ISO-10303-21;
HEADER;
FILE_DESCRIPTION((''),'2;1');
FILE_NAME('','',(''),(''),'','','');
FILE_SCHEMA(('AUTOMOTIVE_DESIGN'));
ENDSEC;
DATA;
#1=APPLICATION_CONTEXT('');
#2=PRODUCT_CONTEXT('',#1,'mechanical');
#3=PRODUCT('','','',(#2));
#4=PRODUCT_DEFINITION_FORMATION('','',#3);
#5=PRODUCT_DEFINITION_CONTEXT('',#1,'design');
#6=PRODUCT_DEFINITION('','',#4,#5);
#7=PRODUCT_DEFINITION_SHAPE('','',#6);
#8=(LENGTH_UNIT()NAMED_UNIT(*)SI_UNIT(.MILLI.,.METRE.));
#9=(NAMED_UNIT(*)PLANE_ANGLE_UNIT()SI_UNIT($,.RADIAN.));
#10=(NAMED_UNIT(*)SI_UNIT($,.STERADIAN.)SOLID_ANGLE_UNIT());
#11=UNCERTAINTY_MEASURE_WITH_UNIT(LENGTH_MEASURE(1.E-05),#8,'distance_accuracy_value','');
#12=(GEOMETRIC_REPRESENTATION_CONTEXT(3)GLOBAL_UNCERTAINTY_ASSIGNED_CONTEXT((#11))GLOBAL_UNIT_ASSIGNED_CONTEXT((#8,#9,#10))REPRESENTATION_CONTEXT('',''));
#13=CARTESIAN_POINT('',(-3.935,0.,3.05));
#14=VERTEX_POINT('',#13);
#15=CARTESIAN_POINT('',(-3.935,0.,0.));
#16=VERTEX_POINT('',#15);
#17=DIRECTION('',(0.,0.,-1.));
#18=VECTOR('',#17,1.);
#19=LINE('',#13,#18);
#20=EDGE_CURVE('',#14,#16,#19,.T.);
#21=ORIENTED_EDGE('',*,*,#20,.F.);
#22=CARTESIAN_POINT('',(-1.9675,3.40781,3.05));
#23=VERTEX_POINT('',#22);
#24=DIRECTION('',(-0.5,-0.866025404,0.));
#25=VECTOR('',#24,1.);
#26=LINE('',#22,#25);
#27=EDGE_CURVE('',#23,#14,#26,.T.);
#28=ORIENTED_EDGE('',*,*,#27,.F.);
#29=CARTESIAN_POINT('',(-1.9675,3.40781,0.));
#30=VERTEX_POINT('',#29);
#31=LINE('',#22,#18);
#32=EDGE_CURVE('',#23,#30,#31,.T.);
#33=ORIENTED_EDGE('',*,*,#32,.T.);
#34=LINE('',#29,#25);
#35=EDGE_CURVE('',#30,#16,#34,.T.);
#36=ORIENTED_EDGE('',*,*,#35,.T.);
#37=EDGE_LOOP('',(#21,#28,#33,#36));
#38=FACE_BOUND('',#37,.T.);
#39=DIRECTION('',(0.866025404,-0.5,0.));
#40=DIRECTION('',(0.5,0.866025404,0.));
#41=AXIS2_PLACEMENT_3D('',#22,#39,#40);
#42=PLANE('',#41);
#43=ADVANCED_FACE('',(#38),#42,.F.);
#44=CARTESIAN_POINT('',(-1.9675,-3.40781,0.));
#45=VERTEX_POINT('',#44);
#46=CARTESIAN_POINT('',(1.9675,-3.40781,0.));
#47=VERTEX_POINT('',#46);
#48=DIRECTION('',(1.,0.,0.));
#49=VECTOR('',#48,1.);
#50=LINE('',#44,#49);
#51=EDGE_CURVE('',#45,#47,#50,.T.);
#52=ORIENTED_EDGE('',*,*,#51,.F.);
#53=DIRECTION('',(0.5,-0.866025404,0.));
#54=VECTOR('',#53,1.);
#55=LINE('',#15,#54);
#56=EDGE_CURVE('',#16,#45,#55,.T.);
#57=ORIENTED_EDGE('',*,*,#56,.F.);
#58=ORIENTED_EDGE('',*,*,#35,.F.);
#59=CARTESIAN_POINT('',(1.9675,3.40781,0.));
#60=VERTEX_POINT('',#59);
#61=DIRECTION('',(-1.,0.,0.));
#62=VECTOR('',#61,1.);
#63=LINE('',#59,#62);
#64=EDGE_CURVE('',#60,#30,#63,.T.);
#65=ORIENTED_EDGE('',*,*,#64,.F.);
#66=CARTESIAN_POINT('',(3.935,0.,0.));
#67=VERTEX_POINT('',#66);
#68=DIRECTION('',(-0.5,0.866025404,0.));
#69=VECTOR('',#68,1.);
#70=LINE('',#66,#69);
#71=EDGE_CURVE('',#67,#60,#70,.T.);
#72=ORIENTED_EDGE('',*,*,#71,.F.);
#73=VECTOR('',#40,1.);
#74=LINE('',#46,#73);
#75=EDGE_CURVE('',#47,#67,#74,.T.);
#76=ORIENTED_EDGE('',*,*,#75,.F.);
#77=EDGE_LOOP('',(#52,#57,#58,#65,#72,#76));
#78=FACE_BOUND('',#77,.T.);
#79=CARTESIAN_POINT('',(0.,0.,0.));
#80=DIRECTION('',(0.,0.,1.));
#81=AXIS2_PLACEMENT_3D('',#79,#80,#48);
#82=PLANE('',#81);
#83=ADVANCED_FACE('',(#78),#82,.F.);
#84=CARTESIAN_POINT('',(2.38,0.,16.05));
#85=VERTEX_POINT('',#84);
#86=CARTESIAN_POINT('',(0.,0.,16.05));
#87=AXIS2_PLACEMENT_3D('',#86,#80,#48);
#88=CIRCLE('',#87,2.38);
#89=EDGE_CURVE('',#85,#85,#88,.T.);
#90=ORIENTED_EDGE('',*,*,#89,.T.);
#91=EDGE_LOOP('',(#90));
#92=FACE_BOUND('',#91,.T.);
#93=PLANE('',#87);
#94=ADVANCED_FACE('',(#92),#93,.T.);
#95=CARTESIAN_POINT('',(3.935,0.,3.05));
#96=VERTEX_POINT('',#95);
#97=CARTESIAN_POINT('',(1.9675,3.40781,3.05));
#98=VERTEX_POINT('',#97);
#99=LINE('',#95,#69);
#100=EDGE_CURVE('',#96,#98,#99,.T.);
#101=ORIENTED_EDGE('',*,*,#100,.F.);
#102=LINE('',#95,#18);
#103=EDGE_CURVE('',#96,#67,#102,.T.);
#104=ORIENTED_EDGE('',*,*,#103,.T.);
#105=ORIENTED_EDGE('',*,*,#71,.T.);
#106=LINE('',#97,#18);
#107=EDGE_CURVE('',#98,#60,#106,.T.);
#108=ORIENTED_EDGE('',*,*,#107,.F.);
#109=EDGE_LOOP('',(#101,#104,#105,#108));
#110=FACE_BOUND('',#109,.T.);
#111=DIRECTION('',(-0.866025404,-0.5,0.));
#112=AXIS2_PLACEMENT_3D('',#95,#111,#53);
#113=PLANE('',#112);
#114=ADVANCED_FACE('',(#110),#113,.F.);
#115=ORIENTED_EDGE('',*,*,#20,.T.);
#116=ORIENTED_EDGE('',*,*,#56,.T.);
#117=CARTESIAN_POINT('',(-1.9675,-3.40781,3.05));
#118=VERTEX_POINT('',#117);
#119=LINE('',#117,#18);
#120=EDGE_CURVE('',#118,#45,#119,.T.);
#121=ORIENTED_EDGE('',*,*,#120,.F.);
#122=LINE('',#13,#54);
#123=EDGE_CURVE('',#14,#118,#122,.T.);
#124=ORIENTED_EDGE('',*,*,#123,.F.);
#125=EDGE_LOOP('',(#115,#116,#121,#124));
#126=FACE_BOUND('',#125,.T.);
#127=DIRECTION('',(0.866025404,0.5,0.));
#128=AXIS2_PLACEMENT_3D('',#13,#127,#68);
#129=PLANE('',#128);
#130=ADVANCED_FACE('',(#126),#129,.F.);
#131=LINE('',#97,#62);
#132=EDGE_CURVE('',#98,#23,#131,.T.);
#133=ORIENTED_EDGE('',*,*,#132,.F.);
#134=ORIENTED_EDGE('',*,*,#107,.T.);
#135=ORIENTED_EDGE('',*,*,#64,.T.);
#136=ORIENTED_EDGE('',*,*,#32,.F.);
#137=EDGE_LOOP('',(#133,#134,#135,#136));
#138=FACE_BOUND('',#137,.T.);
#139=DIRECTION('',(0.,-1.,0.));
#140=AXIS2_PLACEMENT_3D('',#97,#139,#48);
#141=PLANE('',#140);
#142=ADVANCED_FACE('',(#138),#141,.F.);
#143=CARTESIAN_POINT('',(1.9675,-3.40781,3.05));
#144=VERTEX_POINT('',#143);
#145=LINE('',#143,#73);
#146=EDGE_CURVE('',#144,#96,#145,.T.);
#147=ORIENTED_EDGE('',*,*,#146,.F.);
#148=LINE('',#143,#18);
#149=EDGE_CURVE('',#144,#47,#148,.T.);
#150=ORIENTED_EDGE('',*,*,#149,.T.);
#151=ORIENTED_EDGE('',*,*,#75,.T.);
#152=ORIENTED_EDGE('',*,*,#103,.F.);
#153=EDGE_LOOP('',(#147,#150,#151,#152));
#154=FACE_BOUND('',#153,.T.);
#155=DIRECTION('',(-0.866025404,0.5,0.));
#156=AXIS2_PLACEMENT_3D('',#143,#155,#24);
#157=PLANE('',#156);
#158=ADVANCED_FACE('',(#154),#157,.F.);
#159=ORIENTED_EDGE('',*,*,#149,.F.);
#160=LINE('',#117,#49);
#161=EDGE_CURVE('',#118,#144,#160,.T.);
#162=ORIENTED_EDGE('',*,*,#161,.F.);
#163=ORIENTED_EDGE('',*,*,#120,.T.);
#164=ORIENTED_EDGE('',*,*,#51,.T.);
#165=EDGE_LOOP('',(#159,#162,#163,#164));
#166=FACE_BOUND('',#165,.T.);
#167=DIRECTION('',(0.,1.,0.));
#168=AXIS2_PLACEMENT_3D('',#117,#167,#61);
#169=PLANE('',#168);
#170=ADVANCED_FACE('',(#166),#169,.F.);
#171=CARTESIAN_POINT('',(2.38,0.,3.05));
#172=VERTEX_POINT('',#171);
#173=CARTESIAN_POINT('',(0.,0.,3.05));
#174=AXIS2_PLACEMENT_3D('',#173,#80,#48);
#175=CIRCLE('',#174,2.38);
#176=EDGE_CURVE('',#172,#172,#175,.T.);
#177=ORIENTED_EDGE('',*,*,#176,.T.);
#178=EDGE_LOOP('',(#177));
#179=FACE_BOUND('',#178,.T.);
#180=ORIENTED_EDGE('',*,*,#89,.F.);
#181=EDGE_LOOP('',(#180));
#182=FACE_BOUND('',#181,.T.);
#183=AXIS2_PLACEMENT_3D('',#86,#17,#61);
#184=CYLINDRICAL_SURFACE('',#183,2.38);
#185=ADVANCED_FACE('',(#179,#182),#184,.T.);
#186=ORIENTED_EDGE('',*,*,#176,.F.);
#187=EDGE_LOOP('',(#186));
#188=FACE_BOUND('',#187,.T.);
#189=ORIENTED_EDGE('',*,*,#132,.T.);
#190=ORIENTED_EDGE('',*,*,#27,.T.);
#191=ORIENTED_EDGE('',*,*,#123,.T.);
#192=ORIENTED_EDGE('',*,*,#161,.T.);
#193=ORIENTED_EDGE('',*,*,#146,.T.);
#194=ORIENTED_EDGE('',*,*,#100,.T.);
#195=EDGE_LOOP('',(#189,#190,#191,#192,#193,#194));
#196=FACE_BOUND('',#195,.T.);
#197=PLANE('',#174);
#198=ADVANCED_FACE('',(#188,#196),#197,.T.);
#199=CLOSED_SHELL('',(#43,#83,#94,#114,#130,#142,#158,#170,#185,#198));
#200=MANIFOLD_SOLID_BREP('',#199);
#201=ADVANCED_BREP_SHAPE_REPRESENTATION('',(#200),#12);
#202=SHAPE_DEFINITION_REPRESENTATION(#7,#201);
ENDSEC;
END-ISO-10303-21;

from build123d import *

# Parameters (mm, degrees)
BOSS_EXTRUDE1_DEPTH = 3.05
SKETCH2_R           = 2.38
BOSS_EXTRUDE2_DEPTH = 13


with BuildPart() as part:
    # Sketch1 → Boss-Extrude1 (new body)
    with BuildSketch(Plane.XY):
        Polygon((1.9675, -3.407809964), (3.935, 0), (1.9675, 3.407809964), (-1.9675, 3.407809964), (-3.935, 0), (-1.9675, -3.407809964), align=None)
    extrude(amount=BOSS_EXTRUDE1_DEPTH)

    # Sketch2 → Boss-Extrude2 (add)
    with BuildSketch(Plane.XY.offset(3.05)):
        Circle(SKETCH2_R)
    extrude(amount=BOSS_EXTRUDE2_DEPTH)


solid = part.part
